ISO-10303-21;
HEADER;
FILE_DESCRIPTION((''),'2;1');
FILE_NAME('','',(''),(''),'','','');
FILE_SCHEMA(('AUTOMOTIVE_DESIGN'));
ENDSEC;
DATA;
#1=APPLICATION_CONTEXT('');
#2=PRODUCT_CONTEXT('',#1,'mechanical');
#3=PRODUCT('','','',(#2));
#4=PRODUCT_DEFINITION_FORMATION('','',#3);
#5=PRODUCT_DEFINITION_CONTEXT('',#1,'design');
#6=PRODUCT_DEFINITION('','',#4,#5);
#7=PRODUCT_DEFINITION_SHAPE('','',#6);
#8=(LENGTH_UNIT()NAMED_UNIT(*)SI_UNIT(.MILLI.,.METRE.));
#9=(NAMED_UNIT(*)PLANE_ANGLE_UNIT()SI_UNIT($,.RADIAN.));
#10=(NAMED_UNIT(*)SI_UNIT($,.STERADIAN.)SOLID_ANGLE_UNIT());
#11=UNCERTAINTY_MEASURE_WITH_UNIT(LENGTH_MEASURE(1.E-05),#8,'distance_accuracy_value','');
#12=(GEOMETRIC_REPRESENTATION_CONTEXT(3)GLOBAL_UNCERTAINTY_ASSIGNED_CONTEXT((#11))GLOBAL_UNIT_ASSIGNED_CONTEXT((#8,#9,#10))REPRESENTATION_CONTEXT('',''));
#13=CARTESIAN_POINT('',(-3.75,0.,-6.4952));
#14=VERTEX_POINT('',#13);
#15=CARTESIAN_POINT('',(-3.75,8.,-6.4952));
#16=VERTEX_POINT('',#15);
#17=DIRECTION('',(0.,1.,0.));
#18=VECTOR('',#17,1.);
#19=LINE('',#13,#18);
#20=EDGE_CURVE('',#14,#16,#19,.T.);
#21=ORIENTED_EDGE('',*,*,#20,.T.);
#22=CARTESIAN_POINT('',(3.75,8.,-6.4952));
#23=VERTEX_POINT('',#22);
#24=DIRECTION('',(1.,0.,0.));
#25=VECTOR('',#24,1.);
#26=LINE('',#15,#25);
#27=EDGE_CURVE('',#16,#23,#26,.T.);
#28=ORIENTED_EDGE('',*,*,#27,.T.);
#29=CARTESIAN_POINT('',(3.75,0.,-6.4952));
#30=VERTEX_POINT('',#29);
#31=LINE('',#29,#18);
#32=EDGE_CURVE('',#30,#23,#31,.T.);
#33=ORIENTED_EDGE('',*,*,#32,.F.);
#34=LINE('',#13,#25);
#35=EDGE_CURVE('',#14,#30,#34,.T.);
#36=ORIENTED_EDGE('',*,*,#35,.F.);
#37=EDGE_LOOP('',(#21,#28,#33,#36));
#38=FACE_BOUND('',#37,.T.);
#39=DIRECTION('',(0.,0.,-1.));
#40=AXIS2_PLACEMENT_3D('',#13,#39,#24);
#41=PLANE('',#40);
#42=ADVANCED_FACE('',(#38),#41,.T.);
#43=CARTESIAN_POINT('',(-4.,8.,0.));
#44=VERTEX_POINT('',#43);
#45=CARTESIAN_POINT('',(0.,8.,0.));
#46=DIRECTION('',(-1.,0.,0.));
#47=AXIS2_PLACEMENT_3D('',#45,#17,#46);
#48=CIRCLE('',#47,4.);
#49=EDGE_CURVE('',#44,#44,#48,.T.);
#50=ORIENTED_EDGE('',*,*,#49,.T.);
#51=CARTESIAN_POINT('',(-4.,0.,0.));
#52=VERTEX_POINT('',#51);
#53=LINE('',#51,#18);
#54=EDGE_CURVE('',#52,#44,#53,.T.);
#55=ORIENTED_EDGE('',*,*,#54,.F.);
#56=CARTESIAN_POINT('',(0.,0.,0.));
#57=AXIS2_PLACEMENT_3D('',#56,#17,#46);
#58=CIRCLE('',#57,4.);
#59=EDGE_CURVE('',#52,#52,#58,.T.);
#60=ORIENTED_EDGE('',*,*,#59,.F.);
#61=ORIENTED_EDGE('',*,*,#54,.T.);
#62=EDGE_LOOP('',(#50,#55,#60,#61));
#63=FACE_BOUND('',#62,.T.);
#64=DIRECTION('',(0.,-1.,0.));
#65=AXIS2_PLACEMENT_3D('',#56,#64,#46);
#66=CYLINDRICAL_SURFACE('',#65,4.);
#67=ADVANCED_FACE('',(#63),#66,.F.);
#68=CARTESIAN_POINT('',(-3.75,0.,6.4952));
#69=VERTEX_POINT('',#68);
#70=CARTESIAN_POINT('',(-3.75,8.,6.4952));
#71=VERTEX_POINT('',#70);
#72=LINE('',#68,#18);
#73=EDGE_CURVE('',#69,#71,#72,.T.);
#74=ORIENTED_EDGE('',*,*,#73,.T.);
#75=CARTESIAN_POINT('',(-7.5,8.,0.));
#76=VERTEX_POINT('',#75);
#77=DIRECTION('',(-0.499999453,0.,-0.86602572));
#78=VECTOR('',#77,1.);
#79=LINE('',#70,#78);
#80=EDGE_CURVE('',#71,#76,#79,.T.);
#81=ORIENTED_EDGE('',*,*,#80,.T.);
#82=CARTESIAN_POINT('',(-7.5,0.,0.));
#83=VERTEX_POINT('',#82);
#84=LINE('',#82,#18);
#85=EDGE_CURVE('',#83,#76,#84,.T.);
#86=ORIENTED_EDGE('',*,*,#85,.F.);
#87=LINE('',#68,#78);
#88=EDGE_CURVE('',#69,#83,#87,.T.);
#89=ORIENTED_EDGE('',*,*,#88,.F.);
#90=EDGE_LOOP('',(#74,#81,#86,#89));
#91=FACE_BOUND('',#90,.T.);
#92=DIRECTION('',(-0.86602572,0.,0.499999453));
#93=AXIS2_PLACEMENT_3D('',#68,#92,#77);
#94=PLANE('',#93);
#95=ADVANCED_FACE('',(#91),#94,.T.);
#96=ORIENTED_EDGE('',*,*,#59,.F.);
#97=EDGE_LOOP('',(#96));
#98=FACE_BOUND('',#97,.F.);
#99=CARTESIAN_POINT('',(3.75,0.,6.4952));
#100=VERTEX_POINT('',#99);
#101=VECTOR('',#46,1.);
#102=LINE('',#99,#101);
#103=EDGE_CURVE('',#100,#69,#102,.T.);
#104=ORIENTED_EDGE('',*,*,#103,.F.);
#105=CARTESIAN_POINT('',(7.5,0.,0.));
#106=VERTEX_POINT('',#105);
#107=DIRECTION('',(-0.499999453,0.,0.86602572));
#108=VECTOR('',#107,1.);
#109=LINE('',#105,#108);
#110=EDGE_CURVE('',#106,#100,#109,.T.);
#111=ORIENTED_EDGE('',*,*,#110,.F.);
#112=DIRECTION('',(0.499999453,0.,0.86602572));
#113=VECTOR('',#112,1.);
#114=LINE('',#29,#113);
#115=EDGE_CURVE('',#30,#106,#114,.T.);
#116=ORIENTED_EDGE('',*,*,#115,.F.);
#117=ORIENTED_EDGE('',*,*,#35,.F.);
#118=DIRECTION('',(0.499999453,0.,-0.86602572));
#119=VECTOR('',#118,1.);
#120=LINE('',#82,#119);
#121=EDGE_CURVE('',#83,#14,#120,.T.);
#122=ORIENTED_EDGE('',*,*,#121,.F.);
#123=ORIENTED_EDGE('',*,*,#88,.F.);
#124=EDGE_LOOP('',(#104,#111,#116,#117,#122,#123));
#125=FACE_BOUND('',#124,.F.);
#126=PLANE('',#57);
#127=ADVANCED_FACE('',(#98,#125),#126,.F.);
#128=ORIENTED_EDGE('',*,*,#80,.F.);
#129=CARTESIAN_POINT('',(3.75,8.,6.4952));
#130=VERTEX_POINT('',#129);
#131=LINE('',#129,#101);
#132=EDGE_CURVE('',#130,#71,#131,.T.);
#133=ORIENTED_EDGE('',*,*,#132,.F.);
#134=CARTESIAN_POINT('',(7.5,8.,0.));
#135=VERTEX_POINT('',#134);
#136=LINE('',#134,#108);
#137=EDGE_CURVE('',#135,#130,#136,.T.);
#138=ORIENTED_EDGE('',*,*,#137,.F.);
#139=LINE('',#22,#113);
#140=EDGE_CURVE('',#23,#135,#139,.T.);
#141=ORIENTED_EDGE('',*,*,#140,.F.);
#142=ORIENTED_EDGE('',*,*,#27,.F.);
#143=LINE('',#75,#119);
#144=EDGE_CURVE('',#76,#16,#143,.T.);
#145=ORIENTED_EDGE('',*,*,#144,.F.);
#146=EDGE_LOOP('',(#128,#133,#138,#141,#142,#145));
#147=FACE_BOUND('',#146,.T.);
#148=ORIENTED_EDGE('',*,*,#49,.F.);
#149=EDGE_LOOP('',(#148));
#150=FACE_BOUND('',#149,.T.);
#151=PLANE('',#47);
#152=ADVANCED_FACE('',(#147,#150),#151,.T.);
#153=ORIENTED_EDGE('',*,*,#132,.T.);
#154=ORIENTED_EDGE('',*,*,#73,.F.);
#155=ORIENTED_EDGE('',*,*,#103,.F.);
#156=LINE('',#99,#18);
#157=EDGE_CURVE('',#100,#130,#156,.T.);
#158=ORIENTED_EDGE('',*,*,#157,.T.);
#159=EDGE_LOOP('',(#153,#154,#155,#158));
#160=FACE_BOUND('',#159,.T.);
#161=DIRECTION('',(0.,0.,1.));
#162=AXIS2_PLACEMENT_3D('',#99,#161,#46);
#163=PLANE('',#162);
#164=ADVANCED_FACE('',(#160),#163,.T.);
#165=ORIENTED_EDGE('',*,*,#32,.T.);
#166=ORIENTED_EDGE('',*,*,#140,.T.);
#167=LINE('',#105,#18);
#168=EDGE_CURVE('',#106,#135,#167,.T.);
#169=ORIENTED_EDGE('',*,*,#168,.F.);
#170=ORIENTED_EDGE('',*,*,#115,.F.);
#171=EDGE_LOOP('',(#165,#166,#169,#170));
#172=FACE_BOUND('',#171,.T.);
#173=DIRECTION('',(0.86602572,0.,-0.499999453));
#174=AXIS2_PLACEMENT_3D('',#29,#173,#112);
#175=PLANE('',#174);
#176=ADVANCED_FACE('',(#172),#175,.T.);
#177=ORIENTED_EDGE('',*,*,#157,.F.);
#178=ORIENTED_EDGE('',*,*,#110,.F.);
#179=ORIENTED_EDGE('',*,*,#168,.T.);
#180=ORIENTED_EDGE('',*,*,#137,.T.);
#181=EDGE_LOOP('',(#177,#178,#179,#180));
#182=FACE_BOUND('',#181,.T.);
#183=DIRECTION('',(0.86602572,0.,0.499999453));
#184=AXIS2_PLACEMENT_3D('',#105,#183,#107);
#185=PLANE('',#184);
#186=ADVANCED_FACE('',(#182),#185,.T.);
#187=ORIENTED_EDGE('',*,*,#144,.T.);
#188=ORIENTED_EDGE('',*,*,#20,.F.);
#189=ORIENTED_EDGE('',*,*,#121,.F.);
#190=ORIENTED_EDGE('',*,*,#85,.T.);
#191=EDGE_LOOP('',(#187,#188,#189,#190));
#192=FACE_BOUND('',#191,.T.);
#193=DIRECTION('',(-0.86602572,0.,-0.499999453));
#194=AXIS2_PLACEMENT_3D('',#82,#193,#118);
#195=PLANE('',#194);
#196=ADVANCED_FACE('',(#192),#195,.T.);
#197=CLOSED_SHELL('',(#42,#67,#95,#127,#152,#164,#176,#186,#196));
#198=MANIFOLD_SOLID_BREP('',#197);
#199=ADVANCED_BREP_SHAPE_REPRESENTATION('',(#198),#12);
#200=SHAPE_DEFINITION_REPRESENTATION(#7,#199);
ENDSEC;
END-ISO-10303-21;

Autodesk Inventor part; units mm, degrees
ref_plane "YZ Plane" through (0, 0, 0) normal (1, 0, 0) x (0, 1, 0)
ref_plane "XZ Plane" through (0, 0, 0) normal (0, 1, 0) x (-1, 0, 0)
ref_plane "XY Plane" through (0, 0, 0) normal (0, 0, 1) x (1, 0, 0)
sketch "Sketch1" plane through (0, 0, 0) normal (0, 1, 0) x (-1, 0, 0)
  circle A0 centre (0, 0) radius 4
  line L0 (7.5, 0) -> (3.75, -6.4952)
  line L1 (3.75, -6.4952) -> (-3.75, -6.4952)
  line L2 (-3.75, -6.4952) -> (-7.5, 0)
  line L3 (-7.5, 0) -> (-3.75, 6.4952)
  line L4 (-3.75, 6.4952) -> (3.75, 6.4952)
  line L5 (3.75, 6.4952) -> (7.5, 0)
  dimension "d0" = 8
  dimension "d1" = 15
extrude "Extrusion1" add sketch "Sketch1" along normal blind 8
properties part number "Nut thing"
